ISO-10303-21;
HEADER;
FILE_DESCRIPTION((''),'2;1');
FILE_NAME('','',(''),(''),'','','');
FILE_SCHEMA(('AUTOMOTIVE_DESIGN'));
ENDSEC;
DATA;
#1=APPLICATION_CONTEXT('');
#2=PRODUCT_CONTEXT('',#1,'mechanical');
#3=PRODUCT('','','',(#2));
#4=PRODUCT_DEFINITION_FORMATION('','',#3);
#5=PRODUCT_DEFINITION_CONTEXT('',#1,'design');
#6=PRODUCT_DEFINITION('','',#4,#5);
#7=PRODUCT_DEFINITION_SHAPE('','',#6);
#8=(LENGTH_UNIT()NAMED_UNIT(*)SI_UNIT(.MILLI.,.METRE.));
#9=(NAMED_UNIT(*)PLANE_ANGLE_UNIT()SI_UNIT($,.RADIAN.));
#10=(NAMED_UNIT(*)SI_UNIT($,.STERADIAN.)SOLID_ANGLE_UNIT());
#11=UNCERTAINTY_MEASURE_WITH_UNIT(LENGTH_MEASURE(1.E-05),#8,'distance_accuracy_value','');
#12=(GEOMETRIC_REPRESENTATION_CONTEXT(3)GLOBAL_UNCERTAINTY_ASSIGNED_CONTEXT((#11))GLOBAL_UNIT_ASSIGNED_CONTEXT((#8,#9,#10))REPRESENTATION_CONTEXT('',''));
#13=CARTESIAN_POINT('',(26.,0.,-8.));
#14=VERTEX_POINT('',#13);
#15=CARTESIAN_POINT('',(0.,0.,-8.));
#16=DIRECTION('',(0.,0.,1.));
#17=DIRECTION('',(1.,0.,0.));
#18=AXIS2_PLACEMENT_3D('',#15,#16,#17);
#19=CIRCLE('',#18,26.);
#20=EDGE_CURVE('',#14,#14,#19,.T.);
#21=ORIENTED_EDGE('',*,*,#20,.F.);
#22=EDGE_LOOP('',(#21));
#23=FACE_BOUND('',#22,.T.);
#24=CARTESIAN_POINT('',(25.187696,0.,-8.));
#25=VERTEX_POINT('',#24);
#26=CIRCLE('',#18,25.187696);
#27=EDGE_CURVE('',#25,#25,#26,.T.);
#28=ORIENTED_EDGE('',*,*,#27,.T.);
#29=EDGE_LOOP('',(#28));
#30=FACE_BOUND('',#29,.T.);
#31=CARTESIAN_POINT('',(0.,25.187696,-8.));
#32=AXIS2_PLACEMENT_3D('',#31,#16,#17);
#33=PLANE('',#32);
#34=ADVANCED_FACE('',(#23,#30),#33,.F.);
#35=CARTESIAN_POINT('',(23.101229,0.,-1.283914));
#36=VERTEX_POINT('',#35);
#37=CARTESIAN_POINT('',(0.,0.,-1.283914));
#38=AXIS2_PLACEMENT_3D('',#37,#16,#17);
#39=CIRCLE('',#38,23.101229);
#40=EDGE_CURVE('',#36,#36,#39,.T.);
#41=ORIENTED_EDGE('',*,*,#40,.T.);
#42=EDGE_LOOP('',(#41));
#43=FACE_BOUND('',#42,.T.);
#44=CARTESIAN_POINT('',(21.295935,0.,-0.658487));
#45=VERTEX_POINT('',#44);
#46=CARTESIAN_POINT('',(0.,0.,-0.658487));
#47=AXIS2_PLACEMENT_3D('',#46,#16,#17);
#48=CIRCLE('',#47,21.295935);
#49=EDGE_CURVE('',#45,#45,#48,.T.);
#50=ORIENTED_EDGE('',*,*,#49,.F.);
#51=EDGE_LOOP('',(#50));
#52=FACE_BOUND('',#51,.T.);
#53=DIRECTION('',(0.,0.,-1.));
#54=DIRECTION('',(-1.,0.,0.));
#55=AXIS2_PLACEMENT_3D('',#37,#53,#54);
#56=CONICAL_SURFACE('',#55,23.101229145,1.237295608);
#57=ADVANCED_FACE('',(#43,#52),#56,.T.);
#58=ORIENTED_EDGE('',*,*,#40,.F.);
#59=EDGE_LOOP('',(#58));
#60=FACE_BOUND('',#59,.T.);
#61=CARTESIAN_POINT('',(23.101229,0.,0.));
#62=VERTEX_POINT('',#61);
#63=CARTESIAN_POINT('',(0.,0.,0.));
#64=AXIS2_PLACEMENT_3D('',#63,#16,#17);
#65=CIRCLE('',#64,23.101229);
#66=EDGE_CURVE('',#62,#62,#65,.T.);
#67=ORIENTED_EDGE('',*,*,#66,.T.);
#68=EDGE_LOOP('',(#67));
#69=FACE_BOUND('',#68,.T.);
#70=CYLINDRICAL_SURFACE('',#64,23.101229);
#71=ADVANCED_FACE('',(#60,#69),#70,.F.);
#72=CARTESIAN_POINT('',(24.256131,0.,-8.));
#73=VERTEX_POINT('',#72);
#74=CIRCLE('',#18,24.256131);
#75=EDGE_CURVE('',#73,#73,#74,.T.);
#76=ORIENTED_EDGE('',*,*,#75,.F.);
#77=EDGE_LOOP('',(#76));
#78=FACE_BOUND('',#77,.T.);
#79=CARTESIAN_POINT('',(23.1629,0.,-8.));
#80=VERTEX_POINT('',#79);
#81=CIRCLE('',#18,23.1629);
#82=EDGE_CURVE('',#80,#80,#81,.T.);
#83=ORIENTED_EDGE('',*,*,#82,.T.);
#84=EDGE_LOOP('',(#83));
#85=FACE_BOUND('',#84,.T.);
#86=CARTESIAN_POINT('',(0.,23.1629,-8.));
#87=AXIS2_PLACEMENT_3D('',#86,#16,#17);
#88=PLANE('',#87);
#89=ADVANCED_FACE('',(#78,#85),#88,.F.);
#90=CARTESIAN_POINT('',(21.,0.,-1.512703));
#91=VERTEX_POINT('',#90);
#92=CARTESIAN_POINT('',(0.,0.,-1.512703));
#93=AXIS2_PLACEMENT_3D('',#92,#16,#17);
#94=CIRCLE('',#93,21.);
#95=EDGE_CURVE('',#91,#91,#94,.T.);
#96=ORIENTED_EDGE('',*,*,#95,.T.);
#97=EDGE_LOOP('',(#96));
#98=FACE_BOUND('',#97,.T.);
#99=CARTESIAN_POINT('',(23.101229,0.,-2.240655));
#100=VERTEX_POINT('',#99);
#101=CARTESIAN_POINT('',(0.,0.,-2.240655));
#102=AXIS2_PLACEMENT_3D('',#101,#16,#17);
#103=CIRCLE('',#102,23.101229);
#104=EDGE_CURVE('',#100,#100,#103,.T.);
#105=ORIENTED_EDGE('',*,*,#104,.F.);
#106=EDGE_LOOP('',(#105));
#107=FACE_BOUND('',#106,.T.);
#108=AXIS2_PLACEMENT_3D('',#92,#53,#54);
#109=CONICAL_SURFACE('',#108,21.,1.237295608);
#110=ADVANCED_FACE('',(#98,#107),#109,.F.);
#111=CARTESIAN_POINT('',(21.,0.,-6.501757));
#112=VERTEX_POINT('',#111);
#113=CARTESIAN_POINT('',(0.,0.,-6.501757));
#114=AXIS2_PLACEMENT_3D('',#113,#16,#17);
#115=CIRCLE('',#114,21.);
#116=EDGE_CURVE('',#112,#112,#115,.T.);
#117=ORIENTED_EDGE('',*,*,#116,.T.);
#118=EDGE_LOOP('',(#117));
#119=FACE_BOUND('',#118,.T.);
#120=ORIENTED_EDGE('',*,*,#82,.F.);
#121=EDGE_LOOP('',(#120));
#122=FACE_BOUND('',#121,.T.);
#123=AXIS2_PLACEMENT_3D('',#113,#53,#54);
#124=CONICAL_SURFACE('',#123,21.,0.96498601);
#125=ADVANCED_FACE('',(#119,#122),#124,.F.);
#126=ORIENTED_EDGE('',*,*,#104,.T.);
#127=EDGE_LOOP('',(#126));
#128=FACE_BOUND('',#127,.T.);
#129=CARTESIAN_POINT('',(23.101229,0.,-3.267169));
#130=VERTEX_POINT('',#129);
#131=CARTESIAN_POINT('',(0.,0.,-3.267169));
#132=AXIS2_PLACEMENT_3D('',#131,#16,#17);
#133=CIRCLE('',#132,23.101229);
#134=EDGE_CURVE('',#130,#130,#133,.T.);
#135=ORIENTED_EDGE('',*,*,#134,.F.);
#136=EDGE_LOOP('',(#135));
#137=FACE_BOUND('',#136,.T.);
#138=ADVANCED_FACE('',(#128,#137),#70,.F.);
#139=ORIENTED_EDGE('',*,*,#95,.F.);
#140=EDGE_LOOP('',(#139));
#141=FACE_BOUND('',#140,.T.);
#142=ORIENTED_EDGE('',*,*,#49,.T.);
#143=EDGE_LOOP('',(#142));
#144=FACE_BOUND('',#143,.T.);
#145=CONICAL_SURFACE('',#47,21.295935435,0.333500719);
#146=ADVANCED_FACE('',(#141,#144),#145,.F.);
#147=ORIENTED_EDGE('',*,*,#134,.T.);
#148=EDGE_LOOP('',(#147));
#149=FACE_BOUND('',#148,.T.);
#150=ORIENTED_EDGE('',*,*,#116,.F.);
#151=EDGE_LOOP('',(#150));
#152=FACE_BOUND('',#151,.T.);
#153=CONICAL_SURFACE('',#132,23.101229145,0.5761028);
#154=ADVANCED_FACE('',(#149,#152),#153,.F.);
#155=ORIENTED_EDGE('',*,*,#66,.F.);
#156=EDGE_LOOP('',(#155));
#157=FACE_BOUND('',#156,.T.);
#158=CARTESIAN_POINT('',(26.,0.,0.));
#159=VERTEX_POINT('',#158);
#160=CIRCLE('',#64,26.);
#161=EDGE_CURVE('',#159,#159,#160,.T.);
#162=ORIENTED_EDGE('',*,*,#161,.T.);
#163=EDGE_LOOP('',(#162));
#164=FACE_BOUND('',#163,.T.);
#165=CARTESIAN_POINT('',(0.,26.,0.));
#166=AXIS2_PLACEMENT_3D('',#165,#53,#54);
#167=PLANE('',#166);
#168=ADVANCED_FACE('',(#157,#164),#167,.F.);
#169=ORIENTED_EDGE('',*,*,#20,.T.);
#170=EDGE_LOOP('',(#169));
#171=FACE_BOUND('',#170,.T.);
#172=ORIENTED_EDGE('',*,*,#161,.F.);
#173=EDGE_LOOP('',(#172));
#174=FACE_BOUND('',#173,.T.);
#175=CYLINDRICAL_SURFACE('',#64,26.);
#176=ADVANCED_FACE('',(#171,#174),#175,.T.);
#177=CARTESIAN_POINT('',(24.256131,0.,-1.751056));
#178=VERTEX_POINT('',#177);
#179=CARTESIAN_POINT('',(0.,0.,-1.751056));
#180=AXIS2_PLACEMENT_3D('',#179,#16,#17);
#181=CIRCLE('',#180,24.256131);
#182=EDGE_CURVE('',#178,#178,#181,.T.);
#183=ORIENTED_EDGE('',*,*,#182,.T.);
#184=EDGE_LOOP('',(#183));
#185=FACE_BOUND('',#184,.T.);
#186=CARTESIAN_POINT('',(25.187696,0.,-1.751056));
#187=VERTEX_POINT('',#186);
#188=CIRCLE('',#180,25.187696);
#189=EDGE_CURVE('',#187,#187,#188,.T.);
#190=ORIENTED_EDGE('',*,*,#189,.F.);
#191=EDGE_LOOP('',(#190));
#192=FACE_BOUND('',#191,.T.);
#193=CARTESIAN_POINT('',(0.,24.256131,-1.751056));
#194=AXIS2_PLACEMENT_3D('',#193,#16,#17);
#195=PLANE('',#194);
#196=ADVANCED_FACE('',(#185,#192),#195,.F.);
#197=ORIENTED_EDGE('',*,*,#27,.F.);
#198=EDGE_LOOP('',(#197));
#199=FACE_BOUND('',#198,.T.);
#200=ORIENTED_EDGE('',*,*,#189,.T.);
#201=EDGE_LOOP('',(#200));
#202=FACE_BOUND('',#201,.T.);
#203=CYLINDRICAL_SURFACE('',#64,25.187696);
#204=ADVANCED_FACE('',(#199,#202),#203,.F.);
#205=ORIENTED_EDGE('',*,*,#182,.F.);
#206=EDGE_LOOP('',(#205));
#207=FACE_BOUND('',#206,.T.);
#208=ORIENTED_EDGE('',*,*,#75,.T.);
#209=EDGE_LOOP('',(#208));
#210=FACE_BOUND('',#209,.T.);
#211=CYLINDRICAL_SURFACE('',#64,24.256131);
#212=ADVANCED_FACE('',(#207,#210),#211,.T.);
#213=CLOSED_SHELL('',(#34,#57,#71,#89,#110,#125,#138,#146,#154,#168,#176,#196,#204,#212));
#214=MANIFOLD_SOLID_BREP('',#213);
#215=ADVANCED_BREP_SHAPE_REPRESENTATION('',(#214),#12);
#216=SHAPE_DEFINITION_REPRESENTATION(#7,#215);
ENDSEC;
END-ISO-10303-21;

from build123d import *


with BuildPart() as part:
    # Sketch1 → Revolve1 (revolve)
    with BuildSketch(Plane(origin=(0, 0, 0), x_dir=(0, 0, -1), z_dir=(1, 0, 0))):
        Polygon((8, 26), (0, 26), (0, 23.101229145), (1.283914467, 23.101229145), (0.658486684, 21.295935435), (1.512702621, 21), (2.240654576, 23.101229145), (3.267168994, 23.101229145), (6.501757282, 21), (8, 23.162900408), (8, 24.256131168), (1.751055508, 24.256131168), (1.751055508, 25.187695876), (8, 25.187695876), align=None)
    revolve(axis=Axis((0, 0, 0), (0, 0, -1)))


solid = part.part
